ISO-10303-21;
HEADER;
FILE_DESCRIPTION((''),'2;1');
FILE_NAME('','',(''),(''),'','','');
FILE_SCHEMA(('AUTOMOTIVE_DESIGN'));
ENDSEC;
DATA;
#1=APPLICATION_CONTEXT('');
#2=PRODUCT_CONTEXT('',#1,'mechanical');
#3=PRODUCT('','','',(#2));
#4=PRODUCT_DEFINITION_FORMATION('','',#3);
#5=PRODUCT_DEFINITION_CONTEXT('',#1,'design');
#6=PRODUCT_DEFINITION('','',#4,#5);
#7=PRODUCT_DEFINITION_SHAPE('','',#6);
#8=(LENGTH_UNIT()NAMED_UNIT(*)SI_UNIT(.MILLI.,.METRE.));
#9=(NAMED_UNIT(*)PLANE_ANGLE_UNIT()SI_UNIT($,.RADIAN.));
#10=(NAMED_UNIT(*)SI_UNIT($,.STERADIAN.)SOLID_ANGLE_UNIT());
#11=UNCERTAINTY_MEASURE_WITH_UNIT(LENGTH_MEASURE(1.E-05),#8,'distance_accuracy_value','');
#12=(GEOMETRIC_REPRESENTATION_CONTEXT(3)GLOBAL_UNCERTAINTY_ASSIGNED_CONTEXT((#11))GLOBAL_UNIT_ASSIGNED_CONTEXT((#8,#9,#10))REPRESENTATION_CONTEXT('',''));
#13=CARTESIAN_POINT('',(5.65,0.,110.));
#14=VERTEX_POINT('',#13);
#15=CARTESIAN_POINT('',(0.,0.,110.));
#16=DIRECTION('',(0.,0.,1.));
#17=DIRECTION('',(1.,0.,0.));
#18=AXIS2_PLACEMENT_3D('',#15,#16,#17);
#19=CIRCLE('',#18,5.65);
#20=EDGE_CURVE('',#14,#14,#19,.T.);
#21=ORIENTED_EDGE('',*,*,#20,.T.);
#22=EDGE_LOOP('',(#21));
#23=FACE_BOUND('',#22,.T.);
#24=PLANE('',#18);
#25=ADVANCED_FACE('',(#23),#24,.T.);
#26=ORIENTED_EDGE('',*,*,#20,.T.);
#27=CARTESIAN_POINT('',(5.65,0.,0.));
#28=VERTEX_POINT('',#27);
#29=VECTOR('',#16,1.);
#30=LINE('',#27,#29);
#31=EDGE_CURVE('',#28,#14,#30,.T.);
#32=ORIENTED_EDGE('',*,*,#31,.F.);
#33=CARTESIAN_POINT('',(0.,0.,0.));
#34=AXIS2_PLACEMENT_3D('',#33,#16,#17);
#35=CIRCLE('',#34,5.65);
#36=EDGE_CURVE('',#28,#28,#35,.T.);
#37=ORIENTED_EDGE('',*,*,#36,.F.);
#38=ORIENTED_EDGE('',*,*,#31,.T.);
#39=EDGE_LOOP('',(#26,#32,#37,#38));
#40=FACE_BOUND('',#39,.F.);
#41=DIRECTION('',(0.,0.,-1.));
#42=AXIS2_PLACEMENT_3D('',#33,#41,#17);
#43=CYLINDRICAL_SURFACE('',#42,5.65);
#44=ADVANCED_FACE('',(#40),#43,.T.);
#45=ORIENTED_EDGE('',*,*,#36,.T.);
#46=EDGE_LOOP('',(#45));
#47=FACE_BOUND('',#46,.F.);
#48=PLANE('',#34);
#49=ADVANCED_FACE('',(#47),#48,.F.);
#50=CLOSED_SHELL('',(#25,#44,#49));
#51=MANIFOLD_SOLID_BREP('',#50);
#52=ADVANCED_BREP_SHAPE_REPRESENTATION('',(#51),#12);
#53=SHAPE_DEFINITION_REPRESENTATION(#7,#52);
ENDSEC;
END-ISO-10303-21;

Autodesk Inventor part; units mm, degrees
ref_plane "YZ Plane" through (0, 0, 0) normal (1, 0, 0) x (0, 1, 0)
ref_plane "XZ Plane" through (0, 0, 0) normal (0, 1, 0) x (-1, 0, 0)
ref_plane "XY Plane" through (0, 0, 0) normal (0, 0, 1) x (1, 0, 0)
sketch "Sketch1" plane through (0, 0, 0) normal (0, 0, 1) x (1, 0, 0)
  circle A0 centre (0, 0) radius 5.65
  dimension "d0" = 11.3
extrude "Extrusion1" add sketch "Sketch1" along normal blind 110
properties part number "5300_Fiberglass_Rod_MPSv2_v1" material "Fiberglass Batt"
